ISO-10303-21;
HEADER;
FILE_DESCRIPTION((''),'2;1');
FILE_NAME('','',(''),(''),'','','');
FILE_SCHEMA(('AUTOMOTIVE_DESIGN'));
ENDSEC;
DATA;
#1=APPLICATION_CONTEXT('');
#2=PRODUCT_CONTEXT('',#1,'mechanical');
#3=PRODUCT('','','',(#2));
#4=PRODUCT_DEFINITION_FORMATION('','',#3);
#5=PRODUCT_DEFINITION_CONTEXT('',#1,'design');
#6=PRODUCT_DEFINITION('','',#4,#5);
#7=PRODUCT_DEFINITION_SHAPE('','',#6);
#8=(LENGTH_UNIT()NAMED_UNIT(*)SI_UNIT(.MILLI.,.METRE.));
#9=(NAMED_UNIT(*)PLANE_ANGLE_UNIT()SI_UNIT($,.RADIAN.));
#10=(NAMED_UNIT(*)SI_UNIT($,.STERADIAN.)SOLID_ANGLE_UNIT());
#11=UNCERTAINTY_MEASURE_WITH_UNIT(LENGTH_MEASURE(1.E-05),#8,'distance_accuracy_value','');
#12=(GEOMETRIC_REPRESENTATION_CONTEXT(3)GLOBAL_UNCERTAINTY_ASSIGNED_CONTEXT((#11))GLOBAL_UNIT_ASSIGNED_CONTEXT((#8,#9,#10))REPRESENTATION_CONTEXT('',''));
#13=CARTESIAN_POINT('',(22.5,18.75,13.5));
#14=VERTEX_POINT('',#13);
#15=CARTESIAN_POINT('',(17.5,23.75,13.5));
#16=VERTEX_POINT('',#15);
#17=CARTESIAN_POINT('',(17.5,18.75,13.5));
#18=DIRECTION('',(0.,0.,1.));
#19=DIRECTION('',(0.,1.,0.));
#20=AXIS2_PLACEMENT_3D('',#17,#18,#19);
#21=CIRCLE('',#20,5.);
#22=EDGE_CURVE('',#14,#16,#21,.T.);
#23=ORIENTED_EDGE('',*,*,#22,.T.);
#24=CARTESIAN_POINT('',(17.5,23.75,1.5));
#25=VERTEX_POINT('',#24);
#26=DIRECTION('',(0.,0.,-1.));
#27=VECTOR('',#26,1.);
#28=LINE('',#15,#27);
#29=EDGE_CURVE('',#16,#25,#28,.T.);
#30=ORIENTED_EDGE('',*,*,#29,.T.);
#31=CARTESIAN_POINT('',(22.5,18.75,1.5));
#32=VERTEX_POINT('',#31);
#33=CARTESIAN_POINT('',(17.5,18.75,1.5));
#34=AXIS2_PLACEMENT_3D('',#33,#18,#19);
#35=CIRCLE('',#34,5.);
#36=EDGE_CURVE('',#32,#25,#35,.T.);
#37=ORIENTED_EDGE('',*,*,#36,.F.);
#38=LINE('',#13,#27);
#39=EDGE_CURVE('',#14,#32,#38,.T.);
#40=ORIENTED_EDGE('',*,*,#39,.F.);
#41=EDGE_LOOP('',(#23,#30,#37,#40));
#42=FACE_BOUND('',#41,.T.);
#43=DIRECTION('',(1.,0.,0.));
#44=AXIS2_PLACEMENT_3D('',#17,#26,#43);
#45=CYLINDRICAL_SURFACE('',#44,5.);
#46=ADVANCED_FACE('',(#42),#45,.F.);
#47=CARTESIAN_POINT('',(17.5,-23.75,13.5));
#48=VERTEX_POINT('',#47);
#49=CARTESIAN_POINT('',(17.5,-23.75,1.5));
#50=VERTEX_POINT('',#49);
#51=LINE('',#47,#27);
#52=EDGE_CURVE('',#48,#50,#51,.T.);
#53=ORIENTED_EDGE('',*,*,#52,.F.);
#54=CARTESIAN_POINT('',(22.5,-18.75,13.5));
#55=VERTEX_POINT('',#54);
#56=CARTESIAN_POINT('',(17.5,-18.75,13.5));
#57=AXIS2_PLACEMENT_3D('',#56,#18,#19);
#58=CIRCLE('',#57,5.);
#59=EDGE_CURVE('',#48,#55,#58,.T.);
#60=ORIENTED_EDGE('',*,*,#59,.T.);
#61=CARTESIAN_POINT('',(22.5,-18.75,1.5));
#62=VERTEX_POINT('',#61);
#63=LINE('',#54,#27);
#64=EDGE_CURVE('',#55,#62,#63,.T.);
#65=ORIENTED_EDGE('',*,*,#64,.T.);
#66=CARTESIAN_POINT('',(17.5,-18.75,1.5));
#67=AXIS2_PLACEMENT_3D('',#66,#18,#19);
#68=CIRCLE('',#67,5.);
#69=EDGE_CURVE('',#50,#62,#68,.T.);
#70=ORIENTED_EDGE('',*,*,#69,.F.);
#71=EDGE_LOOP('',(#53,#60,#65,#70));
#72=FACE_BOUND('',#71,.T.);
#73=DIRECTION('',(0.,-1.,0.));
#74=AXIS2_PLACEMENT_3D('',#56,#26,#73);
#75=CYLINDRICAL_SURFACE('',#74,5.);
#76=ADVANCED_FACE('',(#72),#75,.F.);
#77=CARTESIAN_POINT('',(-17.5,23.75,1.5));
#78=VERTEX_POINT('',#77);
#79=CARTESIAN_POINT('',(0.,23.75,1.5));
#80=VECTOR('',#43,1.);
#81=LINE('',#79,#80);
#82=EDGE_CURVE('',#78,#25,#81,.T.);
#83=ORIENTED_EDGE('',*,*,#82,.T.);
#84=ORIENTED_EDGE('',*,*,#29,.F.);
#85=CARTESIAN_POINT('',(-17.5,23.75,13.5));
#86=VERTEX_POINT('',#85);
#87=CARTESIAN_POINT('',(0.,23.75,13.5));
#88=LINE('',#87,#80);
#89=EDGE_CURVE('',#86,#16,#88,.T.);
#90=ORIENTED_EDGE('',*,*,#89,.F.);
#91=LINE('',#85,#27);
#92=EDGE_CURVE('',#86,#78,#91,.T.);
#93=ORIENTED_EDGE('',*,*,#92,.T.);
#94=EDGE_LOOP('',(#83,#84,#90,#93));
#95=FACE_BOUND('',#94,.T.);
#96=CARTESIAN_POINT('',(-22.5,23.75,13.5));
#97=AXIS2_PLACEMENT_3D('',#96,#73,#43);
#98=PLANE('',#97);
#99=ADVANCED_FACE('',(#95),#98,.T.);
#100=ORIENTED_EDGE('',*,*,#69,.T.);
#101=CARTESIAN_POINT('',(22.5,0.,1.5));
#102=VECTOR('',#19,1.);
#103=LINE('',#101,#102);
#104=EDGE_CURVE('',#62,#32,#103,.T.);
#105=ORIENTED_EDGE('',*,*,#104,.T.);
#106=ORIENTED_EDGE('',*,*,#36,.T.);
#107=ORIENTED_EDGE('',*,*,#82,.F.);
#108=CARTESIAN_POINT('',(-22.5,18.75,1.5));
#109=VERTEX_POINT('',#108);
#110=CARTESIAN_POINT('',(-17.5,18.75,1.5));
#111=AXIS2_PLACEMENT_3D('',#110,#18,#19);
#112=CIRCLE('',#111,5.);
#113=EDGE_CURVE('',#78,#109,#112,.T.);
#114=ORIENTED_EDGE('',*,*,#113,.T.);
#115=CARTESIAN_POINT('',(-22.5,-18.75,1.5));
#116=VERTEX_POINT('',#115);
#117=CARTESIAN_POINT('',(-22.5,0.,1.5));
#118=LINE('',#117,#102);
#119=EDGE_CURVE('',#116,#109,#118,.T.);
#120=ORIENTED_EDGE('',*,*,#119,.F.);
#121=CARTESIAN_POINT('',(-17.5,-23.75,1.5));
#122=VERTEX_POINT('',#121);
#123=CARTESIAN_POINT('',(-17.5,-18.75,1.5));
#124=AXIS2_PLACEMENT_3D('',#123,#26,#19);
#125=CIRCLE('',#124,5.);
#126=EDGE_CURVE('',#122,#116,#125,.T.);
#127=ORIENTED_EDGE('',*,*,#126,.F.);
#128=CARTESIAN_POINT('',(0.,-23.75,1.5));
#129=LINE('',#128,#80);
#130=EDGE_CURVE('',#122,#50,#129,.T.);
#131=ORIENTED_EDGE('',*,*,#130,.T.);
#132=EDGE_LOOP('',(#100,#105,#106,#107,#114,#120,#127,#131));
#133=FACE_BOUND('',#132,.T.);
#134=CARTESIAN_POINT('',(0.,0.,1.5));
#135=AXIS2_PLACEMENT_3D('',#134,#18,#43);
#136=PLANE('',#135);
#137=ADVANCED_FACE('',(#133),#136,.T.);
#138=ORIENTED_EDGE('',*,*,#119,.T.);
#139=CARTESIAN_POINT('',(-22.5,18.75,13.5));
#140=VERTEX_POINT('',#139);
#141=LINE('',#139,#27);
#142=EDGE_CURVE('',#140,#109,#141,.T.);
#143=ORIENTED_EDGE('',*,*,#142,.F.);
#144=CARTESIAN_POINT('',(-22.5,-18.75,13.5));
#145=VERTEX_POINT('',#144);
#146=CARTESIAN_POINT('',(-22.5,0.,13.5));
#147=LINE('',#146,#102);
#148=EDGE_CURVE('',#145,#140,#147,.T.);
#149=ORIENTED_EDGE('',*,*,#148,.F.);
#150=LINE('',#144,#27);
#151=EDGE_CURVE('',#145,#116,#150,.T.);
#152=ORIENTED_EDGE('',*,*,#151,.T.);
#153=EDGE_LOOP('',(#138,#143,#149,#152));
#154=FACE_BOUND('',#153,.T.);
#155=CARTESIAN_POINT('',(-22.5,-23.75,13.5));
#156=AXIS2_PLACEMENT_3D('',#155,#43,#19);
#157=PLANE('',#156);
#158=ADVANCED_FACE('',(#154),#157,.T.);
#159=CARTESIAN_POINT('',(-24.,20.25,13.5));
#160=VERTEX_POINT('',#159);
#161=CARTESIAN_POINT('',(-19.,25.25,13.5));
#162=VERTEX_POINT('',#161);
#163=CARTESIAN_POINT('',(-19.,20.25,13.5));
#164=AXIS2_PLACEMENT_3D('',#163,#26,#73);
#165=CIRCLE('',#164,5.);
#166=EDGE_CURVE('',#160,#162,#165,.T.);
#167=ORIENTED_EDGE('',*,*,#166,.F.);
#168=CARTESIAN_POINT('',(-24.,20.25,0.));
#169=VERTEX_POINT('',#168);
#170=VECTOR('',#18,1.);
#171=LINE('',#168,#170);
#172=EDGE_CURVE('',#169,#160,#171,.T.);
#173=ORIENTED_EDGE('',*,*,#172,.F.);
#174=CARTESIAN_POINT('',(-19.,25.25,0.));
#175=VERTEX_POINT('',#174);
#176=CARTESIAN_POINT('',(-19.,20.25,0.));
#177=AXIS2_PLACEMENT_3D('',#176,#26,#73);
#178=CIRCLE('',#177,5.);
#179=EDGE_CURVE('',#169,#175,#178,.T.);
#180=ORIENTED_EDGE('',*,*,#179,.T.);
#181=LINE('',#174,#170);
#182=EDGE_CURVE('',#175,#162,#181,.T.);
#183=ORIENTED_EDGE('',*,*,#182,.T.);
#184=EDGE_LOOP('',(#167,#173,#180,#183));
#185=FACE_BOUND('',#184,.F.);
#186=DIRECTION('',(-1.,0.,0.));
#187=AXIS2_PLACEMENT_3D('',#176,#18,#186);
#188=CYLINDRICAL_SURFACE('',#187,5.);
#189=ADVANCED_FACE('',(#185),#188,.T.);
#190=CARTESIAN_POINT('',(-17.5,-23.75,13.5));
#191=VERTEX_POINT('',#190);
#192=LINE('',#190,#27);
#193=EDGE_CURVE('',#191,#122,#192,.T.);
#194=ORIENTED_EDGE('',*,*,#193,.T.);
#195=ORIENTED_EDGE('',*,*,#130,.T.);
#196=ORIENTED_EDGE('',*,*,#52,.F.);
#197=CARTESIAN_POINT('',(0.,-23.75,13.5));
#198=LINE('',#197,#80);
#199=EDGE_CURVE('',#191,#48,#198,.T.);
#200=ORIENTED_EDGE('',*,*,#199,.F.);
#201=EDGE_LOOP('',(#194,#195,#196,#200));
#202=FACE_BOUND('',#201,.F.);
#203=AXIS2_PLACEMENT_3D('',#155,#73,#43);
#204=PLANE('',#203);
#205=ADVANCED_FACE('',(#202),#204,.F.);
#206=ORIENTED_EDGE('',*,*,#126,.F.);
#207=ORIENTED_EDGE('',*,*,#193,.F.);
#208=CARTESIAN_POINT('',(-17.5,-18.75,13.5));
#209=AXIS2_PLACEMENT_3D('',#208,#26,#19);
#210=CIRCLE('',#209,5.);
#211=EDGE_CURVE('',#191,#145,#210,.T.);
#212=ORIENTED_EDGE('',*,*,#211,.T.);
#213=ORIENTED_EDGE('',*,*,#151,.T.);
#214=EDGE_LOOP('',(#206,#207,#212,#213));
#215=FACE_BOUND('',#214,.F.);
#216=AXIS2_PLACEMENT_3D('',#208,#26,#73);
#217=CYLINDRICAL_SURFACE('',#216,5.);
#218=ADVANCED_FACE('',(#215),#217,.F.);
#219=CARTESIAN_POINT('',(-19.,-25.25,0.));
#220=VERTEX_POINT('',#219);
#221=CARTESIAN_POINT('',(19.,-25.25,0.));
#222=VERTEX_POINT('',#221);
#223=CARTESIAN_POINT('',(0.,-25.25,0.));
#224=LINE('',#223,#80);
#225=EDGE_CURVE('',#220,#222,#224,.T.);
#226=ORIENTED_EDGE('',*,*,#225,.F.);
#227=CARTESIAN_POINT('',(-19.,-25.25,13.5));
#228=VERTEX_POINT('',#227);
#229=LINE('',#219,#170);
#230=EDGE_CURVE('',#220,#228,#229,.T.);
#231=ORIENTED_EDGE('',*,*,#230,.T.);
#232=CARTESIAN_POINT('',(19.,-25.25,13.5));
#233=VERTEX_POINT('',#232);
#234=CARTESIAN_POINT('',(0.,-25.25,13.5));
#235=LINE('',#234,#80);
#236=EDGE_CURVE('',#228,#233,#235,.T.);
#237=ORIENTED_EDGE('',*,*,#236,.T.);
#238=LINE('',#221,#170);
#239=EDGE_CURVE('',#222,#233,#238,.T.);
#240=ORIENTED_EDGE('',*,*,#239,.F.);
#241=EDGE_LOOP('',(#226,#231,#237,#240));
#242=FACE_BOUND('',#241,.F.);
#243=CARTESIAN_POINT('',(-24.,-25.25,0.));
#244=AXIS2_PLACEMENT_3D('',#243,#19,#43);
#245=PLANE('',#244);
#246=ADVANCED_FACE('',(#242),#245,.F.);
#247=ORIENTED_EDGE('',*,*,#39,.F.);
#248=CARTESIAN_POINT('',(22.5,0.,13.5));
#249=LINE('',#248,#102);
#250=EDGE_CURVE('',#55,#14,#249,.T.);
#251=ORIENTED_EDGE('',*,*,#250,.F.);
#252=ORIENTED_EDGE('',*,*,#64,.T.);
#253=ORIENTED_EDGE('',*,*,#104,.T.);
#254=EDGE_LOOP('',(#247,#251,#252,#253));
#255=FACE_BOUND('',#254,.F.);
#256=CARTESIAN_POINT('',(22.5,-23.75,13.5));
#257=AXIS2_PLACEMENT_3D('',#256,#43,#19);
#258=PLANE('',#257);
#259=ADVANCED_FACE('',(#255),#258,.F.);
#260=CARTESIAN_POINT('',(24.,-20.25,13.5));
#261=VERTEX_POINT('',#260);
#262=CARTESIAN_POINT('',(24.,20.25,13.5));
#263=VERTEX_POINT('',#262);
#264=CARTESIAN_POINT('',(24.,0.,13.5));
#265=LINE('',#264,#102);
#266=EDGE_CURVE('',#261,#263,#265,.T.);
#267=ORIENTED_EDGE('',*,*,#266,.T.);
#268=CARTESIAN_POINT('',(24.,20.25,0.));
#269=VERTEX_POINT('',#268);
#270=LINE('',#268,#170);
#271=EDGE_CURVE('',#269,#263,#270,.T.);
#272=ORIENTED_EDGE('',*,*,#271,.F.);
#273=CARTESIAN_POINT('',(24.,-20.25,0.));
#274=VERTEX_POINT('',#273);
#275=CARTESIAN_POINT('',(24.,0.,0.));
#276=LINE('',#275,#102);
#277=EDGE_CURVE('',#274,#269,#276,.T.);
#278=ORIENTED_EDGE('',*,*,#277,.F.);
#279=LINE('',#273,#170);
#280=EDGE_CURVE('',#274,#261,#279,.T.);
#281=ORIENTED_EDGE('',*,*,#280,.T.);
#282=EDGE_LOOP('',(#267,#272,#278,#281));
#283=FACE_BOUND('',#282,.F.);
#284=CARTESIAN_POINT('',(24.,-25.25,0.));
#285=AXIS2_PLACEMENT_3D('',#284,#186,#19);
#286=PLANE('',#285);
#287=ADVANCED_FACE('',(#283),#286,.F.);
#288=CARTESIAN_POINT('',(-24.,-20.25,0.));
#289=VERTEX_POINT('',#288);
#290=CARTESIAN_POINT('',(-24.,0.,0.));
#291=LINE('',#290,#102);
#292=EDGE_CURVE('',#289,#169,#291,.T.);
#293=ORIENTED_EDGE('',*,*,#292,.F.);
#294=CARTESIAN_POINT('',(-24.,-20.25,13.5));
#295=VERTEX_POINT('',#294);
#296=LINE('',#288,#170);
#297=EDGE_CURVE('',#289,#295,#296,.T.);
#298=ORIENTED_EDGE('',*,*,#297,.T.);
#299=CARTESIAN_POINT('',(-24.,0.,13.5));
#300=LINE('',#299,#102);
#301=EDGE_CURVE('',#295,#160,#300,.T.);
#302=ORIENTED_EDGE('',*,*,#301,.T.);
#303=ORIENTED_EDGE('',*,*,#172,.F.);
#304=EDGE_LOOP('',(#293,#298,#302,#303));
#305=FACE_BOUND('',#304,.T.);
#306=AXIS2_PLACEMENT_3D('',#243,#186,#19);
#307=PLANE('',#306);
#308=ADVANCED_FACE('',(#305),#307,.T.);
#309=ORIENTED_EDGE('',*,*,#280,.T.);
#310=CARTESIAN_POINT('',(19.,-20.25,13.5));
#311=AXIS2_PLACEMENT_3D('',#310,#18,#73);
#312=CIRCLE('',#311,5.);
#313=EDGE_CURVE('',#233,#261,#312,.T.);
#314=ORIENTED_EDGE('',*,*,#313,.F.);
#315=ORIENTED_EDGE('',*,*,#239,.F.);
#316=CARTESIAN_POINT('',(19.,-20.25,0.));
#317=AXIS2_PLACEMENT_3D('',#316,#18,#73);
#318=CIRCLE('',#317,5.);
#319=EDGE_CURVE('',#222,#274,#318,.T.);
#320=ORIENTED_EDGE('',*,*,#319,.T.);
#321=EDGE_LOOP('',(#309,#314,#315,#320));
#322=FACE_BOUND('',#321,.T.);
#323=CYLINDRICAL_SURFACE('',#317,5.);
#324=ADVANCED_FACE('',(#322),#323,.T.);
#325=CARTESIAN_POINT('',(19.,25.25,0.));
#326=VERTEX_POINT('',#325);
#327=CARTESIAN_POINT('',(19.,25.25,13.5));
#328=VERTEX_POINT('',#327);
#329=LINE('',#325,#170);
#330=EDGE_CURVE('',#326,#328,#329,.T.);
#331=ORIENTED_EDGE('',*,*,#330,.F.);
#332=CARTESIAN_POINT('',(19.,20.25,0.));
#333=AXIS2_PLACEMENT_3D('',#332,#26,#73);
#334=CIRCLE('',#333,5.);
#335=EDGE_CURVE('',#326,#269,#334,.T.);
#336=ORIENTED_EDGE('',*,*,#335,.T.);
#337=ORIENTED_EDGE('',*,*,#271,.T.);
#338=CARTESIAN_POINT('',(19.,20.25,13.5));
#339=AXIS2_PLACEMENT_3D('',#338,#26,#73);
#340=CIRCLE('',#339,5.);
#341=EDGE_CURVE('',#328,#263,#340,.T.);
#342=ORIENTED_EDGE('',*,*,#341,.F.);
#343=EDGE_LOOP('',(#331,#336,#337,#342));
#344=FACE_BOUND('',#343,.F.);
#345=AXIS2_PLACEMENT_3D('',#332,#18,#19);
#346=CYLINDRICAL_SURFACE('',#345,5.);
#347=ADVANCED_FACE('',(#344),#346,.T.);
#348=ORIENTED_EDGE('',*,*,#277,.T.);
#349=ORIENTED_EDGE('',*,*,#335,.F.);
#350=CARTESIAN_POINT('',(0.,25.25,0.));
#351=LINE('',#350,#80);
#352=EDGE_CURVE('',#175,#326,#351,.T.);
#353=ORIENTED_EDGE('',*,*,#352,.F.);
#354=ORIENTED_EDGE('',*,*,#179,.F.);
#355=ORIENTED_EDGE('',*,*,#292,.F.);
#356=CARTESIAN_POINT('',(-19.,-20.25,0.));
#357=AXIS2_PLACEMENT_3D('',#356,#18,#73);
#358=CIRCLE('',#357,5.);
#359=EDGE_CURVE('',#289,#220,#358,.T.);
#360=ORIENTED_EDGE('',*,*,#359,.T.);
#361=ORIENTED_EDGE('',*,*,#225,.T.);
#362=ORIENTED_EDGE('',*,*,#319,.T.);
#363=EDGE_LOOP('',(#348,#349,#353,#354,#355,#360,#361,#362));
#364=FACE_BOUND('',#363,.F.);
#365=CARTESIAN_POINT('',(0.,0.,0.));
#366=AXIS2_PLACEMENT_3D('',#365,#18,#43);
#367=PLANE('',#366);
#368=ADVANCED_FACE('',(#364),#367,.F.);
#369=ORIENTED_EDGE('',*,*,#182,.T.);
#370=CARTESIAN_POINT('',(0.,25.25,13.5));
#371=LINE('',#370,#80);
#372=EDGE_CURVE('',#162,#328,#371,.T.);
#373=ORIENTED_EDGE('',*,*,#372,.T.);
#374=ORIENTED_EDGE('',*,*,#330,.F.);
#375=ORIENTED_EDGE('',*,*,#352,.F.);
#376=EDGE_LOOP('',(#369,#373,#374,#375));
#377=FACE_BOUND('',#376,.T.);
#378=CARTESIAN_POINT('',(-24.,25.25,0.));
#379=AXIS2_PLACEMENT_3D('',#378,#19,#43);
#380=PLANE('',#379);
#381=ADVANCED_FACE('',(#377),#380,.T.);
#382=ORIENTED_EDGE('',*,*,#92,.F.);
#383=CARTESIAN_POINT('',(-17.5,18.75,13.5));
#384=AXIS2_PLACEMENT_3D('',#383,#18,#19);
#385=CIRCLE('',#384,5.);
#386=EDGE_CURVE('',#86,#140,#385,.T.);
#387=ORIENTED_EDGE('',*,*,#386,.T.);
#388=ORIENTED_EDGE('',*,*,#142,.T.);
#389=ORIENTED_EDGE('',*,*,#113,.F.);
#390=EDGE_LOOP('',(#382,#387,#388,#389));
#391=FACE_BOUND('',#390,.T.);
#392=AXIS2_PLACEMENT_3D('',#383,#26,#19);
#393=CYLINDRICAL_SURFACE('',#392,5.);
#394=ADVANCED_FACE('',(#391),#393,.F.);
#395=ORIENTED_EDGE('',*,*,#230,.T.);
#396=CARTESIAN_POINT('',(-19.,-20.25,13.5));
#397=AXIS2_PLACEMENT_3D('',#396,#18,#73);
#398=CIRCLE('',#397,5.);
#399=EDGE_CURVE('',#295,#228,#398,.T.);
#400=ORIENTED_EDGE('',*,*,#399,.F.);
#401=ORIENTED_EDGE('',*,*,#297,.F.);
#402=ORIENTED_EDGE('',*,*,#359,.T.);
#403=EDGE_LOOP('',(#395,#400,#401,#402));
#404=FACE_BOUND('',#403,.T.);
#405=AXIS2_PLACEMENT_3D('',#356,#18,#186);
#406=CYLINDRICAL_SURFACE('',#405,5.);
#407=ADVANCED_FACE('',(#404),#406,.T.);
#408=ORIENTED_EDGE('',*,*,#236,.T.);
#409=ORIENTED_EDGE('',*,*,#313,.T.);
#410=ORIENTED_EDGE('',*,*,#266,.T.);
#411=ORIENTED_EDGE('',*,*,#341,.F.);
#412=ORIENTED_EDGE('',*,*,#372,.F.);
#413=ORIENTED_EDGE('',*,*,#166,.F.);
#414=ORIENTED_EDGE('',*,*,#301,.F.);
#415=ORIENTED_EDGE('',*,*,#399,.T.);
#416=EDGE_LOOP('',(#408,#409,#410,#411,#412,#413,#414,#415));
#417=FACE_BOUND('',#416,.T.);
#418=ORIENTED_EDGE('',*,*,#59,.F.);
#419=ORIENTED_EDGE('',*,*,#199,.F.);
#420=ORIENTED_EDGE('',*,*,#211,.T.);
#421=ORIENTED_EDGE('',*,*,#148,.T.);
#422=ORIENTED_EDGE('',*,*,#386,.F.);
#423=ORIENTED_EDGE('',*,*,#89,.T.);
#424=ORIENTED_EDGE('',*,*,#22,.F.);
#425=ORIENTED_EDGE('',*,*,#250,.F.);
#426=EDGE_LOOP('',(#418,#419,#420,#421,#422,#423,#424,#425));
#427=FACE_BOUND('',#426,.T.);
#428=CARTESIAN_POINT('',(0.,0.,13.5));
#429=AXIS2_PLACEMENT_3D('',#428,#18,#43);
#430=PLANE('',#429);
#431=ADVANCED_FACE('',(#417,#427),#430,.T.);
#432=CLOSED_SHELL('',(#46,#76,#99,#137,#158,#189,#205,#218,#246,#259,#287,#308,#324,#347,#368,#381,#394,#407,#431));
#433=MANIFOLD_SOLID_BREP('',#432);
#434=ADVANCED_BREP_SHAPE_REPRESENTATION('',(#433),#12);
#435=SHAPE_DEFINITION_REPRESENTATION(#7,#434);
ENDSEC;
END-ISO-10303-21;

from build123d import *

# Parameters (mm, degrees)
F0_W     = 48
F0_H     = 50.5
F1_DEPTH = 13.5
F2_W     = 45
F2_H     = 47.5
F3_DEPTH = 12
F4_R     = 5


with BuildPart() as f1:
    # F0 (on Top) → F1 (new body)
    with BuildSketch(Plane.XY):
        Rectangle(F0_W, F0_H)
    extrude(amount=F1_DEPTH)

    # F2 (on face) → F3 (cut)
    with BuildSketch(Plane.XY.offset(13.5)):
        Rectangle(F2_W, F2_H)
    extrude(amount=-F3_DEPTH, mode=Mode.SUBTRACT)

    # F4
    f4_edges = [f1.edges().sort_by_distance(p)[0] for p in [
        (22.5, 23.75, 7.5),
        (-22.5, 23.75, 7.5),
        (22.5, -23.75, 7.5),
        (-22.5, -23.75, 7.5),
        (-24, -25.25, 6.75),
        (24, -25.25, 6.75),
        (-24, 25.25, 6.75),
        (24, 25.25, 6.75),
    ]]
    fillet(f4_edges, radius=F4_R)


solid = f1.part
